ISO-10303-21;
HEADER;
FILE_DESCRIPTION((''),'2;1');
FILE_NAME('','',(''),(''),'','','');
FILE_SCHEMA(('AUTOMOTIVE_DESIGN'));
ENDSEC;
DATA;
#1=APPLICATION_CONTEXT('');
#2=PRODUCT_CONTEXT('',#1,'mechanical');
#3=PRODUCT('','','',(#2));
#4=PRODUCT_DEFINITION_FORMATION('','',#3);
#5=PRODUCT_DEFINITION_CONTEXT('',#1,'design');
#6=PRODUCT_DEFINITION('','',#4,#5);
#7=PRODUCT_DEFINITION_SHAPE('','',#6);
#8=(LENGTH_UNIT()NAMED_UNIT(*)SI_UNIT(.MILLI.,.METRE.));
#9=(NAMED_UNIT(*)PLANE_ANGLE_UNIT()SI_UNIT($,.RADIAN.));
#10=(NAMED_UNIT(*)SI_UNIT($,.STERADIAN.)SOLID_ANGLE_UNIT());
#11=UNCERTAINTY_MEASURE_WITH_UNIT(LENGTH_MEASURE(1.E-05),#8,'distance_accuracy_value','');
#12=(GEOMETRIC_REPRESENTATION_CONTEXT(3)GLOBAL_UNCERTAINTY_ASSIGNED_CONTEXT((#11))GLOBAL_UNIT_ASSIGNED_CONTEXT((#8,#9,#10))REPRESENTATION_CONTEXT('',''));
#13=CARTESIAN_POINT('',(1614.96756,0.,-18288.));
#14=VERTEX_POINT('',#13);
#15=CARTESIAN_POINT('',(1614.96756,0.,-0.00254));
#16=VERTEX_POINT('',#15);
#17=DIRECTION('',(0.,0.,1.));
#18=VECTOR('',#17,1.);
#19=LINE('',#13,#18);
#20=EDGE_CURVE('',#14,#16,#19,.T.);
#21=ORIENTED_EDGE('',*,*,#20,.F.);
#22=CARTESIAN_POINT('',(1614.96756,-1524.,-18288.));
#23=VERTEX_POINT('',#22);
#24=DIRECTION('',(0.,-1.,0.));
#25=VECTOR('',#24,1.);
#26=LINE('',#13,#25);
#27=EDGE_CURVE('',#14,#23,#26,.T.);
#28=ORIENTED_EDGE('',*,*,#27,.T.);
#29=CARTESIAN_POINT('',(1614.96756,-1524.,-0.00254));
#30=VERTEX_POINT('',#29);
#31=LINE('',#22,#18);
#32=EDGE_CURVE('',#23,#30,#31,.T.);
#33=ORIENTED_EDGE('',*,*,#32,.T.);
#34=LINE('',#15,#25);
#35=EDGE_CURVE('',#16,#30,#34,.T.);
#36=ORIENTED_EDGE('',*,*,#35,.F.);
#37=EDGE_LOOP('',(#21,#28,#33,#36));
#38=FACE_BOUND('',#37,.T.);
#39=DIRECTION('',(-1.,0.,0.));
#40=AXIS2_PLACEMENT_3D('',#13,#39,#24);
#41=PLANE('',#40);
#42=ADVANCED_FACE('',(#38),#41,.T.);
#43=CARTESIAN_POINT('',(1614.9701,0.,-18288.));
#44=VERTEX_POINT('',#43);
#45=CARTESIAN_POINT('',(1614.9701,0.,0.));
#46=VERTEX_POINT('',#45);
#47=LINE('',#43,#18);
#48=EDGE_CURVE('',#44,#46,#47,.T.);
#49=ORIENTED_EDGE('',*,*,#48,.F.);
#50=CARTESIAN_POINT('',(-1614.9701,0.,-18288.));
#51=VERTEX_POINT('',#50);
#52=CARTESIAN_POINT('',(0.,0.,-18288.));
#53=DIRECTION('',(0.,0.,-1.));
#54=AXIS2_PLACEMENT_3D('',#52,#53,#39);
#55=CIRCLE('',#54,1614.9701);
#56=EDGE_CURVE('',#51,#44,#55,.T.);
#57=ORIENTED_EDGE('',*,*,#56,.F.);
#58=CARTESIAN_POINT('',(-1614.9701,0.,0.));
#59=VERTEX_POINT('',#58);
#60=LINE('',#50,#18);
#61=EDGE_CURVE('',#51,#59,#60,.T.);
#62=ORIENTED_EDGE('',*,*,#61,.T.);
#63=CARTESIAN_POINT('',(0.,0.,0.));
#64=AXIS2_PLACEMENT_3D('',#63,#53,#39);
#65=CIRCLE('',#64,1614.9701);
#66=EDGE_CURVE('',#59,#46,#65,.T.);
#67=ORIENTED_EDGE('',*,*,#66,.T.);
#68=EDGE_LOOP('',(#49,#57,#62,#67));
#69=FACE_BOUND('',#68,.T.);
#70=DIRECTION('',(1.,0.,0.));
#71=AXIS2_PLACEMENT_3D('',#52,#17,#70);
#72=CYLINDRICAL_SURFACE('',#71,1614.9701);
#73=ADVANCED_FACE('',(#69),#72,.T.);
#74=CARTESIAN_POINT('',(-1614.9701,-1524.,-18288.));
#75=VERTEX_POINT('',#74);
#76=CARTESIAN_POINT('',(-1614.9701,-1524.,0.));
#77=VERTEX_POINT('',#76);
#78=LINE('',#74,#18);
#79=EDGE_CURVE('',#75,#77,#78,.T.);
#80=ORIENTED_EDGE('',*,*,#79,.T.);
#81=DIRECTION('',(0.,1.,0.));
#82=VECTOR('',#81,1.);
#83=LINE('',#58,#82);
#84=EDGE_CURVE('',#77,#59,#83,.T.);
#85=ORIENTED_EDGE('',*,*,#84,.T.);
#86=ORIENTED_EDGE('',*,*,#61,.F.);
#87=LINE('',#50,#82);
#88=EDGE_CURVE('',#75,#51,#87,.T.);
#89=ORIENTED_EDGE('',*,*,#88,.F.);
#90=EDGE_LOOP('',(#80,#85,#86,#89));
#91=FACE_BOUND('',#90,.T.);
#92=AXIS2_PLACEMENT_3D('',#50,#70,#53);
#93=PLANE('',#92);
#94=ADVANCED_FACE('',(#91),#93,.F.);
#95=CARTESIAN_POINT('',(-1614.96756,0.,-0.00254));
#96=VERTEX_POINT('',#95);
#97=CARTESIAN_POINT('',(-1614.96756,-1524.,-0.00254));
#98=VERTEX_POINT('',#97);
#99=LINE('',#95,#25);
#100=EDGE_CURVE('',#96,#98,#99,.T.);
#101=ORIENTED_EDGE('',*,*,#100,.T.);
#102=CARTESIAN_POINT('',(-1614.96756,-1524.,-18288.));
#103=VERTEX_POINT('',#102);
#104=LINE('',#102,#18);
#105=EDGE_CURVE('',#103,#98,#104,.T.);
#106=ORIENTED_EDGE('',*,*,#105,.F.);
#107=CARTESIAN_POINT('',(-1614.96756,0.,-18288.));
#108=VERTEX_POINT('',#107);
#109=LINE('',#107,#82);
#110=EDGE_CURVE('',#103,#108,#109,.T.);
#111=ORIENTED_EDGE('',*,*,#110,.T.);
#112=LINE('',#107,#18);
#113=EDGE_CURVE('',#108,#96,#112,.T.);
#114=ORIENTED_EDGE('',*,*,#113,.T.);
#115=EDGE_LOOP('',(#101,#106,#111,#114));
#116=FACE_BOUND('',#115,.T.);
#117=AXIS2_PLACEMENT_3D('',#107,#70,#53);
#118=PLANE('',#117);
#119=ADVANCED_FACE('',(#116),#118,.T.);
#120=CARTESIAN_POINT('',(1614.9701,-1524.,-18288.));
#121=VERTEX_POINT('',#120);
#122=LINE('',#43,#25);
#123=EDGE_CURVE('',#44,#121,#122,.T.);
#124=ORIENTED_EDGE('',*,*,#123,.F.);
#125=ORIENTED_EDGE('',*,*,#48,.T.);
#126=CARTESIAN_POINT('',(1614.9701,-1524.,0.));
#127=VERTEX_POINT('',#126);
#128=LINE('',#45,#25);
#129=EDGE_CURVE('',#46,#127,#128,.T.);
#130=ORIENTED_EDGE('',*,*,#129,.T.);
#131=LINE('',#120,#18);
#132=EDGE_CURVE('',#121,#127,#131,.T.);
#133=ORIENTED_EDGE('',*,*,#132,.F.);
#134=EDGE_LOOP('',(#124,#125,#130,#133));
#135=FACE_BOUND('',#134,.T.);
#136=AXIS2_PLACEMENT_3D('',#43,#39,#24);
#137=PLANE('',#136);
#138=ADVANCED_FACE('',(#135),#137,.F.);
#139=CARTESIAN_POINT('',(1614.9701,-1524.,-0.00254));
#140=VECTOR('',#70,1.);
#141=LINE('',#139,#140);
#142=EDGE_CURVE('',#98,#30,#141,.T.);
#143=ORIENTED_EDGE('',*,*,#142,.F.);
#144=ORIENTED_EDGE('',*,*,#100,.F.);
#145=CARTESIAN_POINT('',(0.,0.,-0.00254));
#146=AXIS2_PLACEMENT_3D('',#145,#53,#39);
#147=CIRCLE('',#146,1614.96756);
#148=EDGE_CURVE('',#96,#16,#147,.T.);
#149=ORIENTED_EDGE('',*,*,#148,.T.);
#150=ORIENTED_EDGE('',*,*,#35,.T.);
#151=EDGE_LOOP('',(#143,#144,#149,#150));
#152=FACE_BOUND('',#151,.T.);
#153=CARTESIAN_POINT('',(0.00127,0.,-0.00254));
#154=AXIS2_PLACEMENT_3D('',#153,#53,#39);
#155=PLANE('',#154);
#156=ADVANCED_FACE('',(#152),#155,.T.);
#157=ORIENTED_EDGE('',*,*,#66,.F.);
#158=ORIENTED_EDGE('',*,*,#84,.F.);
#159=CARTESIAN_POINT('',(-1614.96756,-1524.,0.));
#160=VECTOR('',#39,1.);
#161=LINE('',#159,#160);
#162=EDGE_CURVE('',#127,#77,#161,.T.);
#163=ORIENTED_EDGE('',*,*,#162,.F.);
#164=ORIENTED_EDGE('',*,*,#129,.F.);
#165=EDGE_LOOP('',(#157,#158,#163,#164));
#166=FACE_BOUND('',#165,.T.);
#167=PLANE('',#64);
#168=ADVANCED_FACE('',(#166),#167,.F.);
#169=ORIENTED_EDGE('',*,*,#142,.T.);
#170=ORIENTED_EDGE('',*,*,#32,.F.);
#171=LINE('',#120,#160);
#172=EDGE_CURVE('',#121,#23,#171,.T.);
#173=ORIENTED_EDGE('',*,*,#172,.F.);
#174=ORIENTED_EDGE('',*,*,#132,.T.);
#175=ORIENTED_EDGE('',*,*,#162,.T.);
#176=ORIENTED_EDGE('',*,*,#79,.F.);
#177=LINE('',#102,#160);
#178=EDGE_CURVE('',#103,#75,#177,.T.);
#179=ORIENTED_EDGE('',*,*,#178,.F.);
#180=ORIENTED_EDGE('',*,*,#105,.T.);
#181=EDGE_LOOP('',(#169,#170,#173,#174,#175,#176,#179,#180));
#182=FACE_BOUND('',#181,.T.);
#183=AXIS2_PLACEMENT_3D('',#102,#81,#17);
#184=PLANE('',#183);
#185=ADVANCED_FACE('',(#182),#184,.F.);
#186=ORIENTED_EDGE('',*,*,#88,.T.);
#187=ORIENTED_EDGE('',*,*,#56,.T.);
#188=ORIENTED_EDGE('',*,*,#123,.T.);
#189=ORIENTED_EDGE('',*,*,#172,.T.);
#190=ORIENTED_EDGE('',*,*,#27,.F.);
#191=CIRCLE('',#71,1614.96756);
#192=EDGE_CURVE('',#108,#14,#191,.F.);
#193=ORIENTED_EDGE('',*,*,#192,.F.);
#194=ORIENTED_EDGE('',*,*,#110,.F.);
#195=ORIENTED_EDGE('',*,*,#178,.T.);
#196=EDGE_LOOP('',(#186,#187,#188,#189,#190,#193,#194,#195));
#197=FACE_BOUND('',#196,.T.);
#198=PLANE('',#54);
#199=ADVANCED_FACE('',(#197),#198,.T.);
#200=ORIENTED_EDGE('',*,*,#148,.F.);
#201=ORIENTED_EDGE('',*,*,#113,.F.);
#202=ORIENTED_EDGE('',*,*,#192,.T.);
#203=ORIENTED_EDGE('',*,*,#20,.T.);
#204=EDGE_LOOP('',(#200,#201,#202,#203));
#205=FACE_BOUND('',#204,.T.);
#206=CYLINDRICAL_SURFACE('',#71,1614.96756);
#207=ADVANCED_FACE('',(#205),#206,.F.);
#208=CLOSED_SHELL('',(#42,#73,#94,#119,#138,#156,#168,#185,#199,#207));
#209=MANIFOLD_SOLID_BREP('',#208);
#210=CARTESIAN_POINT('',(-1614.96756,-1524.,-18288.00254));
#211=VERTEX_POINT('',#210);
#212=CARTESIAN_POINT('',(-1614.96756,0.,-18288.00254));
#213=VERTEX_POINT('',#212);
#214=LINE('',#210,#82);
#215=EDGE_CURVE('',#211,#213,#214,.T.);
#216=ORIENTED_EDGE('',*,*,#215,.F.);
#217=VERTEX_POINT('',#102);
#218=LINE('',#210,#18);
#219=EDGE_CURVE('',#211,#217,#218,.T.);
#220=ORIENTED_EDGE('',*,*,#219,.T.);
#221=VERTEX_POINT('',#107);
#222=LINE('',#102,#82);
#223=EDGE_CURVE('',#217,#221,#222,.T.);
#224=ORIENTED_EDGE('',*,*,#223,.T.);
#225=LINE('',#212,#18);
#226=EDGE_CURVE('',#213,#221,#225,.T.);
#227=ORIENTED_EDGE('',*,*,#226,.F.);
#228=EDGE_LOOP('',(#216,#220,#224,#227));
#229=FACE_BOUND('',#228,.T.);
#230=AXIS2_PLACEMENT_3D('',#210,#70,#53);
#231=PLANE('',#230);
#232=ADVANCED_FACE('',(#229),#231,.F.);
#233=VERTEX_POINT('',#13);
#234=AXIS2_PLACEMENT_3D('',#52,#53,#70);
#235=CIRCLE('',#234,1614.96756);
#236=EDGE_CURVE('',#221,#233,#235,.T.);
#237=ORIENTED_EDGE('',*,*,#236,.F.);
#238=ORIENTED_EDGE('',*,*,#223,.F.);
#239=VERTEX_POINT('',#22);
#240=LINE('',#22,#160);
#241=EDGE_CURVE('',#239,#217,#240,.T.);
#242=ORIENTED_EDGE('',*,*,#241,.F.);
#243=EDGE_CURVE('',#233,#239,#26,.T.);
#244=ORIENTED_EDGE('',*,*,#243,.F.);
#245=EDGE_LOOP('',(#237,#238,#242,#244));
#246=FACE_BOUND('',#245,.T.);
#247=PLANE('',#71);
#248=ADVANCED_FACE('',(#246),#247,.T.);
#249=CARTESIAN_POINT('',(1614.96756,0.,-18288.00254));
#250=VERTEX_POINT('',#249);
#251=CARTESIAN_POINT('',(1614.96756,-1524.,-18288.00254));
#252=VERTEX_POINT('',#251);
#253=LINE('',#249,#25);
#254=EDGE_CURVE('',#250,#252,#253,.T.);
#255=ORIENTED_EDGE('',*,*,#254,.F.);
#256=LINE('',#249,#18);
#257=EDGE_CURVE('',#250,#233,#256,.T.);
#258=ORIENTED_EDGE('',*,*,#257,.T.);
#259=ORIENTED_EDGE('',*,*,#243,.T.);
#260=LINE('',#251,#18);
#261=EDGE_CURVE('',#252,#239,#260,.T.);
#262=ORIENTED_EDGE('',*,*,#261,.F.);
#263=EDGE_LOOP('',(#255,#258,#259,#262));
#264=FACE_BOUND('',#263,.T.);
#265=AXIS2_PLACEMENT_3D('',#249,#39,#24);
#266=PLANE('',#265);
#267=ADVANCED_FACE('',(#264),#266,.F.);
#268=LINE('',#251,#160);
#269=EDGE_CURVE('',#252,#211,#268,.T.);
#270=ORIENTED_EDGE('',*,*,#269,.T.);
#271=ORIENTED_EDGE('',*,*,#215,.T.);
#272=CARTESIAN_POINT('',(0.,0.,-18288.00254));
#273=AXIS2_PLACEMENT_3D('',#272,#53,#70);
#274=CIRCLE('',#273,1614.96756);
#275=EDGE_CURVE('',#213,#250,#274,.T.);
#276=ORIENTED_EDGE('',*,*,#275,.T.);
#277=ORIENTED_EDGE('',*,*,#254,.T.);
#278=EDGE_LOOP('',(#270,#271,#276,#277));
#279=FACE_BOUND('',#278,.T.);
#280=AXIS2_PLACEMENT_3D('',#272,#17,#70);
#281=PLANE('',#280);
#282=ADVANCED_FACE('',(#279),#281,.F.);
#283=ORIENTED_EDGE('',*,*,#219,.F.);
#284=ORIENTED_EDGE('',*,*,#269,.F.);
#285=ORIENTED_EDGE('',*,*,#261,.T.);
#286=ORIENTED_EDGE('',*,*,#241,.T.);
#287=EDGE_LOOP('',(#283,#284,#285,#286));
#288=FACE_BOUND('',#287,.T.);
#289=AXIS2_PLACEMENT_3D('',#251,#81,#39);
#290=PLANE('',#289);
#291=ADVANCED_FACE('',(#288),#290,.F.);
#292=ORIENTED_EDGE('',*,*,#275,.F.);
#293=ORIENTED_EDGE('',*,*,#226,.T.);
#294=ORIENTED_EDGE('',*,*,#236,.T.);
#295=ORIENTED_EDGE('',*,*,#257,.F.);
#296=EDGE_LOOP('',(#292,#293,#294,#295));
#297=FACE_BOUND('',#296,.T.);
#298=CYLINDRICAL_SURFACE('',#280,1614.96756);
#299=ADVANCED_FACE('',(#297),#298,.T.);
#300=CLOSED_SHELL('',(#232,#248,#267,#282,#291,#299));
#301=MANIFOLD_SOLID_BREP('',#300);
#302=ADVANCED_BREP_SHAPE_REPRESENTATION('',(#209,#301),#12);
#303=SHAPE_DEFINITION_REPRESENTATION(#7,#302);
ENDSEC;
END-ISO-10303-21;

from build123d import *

# Parameters (mm, degrees)
EXTRUDE_THIN1_DEPTH = 18288
BOSS_EXTRUDE5_DEPTH = 0.00254
BOSS_EXTRUDE6_DEPTH = 0.00254


with BuildPart() as part:
    # Sketch1 → Extrude-Thin1 (new body)
    with BuildSketch(Plane.XY):
        with BuildLine():
            Line((1614.9701, -1524), (1614.9701, 0))
            ThreePointArc((1614.9701, 0), (0, 1614.9701), (-1614.9701, 0))
            Line((-1614.9701, 0), (-1614.9701, -1524))
            Line((-1614.9701, -1524), (-1614.96756, -1524))
            Line((-1614.96756, -1524), (-1614.96756, 0))
            ThreePointArc((-1614.96756, 0), (0, 1614.96756), (1614.96756, 0))
            Line((1614.96756, 0), (1614.96756, -1524))
            Line((1614.96756, -1524), (1614.9701, -1524))
        make_face()
    extrude(amount=-EXTRUDE_THIN1_DEPTH)

    # Sketch2 → Boss-Extrude5 (add)
    with BuildSketch(Plane.XY):
        with BuildLine():
            Line((-1614.96756, 0), (-1614.96756, -1524))
            Line((-1614.96756, -1524), (1614.9701, -1524))
            Line((1614.9701, -1524), (1614.9701, 0))
            ThreePointArc((1614.9701, 0), (0.00127, 1614.96883), (-1614.96756, 0))
        make_face()
    extrude(amount=-BOSS_EXTRUDE5_DEPTH)


with BuildPart() as body_2:
    # Sketch3 → Boss-Extrude6 (new body)
    with BuildSketch(Plane(origin=(0, 0, -18288), x_dir=(-1, 0, 0), z_dir=(0, 0, -1))):
        with BuildLine():
            Line((-1614.96756, 0), (-1614.96756, -1524))
            Line((-1614.96756, -1524), (1614.96756, -1524))
            Line((1614.96756, -1524), (1614.96756, 0))
            ThreePointArc((1614.96756, 0), (0, 1614.96756), (-1614.96756, 0))
        make_face()
    extrude(amount=BOSS_EXTRUDE6_DEPTH)


solid = Compound([part.part, body_2.part])
